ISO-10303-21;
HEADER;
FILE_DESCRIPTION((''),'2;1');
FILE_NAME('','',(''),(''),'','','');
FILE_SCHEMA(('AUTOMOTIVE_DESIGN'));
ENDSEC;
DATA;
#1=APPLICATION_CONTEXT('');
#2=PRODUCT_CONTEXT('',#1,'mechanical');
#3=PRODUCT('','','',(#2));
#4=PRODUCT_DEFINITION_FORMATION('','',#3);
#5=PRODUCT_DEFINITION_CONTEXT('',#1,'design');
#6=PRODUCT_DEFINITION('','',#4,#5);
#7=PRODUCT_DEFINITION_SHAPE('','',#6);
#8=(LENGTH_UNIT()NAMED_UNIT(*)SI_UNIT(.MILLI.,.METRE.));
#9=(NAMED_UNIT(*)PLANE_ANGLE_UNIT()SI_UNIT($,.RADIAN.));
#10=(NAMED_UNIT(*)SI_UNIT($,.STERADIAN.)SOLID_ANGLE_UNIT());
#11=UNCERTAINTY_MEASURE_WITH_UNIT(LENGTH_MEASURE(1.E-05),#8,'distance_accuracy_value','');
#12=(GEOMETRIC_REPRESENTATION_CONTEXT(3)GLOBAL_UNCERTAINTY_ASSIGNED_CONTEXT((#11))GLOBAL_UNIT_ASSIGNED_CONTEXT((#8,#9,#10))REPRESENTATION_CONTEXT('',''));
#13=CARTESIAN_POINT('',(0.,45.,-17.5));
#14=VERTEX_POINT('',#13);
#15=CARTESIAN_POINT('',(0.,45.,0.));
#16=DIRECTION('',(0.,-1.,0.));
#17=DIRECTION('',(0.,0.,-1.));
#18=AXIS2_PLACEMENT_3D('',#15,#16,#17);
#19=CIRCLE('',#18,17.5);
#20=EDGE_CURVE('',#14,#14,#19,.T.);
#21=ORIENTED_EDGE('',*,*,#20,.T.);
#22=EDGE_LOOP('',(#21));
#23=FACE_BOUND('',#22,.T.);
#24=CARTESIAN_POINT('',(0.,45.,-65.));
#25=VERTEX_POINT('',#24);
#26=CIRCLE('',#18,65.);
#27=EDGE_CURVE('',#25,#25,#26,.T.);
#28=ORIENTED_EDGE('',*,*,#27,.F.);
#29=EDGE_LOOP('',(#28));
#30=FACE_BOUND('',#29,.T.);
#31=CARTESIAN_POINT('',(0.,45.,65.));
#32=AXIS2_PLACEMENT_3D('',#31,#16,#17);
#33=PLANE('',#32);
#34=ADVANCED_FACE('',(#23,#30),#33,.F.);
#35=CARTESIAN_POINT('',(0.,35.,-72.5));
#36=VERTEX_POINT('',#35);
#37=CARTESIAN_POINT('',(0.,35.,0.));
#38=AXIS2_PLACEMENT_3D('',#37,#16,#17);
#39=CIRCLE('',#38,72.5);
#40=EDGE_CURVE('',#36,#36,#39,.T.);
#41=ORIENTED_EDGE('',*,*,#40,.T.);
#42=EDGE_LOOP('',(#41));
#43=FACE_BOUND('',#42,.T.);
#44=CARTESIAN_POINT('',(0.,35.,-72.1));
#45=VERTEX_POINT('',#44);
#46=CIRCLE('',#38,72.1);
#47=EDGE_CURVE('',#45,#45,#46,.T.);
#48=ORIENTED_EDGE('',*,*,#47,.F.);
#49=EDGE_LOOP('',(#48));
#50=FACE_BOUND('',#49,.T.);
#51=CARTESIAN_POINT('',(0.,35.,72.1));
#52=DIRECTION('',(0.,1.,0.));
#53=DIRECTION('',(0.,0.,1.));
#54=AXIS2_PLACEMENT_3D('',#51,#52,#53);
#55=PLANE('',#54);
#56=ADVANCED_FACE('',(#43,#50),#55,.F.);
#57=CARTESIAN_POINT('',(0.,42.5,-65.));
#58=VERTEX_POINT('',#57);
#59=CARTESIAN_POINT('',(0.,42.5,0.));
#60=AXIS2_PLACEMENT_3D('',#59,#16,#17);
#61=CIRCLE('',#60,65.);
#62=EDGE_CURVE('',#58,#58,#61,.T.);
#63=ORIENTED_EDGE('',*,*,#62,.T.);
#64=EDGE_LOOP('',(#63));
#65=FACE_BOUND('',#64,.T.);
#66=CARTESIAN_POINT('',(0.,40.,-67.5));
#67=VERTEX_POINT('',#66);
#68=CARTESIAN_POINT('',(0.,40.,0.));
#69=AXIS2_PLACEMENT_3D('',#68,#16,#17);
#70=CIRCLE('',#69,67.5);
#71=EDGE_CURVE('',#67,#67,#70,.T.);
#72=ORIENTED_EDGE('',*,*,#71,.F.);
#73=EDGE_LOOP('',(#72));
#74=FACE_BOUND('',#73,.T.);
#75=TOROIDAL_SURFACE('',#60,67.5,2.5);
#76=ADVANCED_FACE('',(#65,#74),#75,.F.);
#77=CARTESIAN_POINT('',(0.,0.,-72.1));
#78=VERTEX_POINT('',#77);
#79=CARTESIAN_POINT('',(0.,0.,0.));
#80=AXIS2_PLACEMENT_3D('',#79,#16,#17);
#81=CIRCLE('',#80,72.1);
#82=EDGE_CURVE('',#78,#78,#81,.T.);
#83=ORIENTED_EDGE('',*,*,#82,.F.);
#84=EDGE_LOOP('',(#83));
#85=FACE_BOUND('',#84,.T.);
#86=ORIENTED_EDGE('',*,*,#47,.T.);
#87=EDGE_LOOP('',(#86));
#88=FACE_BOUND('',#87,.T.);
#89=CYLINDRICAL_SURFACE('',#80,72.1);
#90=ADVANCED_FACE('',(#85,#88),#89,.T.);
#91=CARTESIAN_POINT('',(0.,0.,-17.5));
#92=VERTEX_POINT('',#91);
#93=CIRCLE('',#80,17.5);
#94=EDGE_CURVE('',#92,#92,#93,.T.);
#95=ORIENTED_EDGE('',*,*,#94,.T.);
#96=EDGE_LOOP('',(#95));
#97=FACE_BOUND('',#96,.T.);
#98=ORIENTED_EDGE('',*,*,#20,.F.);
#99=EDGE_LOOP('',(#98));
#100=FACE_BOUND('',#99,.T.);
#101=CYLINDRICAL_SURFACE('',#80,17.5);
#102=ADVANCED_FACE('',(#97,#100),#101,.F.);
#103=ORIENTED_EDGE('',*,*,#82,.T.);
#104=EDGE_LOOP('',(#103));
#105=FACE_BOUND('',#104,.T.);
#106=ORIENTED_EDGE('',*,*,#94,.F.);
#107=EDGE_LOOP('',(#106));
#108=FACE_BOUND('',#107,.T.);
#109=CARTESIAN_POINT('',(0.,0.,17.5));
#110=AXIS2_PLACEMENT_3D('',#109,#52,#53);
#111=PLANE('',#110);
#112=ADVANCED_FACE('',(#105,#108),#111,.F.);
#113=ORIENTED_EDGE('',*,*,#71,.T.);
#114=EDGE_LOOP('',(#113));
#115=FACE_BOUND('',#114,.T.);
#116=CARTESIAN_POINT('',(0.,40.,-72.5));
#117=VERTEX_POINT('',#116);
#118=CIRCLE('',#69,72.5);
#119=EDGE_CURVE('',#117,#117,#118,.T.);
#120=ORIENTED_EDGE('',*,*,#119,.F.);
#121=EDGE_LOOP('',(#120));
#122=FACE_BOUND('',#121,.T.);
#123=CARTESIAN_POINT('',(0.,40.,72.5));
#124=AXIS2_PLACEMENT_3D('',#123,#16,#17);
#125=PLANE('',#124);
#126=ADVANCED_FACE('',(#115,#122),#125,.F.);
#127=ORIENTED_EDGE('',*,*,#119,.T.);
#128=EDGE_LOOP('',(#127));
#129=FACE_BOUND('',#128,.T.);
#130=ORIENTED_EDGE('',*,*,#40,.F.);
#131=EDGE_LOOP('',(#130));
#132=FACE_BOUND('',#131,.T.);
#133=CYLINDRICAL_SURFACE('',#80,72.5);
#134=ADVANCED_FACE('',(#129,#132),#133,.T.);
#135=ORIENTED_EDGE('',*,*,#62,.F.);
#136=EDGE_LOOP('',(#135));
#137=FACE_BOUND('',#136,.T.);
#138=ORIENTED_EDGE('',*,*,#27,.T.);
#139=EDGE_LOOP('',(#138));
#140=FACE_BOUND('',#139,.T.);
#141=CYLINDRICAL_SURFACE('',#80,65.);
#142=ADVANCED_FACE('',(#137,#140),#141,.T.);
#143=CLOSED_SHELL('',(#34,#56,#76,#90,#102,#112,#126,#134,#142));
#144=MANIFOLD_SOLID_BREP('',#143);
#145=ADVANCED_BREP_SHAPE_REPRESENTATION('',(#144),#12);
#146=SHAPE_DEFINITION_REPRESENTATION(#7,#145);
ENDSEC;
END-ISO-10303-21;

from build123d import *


with BuildPart() as part:
    # 草图1 → 旋转1 (revolve)
    with BuildSketch(Plane(origin=(0, 0, 0), x_dir=(0, 0, -1), z_dir=(1, 0, 0)), mode=Mode.PRIVATE) as revolve_1_sk:
        with BuildLine():
            Line((-17.5, 45), (-17.5, 0))
            Line((-17.5, 0), (-72.1, 0))
            Line((-72.1, 0), (-72.1, 35))
            Line((-72.1, 35), (-72.5, 35))
            Line((-72.5, 35), (-72.5, 40))
            Line((-72.5, 40), (-67.5, 40))
            ThreePointArc((-67.5, 40), (-65.732233047, 40.732233047), (-65, 42.5))
            Line((-65, 42.5), (-65, 45))
            Line((-65, 45), (-17.5, 45))
        make_face()
    revolve(revolve_1_sk.sketch.rotate(Axis((0, 0, 0), (0, 1, 0)), 180), axis=Axis((0, 0, 0), (0, 1, 0)))


solid = part.part
